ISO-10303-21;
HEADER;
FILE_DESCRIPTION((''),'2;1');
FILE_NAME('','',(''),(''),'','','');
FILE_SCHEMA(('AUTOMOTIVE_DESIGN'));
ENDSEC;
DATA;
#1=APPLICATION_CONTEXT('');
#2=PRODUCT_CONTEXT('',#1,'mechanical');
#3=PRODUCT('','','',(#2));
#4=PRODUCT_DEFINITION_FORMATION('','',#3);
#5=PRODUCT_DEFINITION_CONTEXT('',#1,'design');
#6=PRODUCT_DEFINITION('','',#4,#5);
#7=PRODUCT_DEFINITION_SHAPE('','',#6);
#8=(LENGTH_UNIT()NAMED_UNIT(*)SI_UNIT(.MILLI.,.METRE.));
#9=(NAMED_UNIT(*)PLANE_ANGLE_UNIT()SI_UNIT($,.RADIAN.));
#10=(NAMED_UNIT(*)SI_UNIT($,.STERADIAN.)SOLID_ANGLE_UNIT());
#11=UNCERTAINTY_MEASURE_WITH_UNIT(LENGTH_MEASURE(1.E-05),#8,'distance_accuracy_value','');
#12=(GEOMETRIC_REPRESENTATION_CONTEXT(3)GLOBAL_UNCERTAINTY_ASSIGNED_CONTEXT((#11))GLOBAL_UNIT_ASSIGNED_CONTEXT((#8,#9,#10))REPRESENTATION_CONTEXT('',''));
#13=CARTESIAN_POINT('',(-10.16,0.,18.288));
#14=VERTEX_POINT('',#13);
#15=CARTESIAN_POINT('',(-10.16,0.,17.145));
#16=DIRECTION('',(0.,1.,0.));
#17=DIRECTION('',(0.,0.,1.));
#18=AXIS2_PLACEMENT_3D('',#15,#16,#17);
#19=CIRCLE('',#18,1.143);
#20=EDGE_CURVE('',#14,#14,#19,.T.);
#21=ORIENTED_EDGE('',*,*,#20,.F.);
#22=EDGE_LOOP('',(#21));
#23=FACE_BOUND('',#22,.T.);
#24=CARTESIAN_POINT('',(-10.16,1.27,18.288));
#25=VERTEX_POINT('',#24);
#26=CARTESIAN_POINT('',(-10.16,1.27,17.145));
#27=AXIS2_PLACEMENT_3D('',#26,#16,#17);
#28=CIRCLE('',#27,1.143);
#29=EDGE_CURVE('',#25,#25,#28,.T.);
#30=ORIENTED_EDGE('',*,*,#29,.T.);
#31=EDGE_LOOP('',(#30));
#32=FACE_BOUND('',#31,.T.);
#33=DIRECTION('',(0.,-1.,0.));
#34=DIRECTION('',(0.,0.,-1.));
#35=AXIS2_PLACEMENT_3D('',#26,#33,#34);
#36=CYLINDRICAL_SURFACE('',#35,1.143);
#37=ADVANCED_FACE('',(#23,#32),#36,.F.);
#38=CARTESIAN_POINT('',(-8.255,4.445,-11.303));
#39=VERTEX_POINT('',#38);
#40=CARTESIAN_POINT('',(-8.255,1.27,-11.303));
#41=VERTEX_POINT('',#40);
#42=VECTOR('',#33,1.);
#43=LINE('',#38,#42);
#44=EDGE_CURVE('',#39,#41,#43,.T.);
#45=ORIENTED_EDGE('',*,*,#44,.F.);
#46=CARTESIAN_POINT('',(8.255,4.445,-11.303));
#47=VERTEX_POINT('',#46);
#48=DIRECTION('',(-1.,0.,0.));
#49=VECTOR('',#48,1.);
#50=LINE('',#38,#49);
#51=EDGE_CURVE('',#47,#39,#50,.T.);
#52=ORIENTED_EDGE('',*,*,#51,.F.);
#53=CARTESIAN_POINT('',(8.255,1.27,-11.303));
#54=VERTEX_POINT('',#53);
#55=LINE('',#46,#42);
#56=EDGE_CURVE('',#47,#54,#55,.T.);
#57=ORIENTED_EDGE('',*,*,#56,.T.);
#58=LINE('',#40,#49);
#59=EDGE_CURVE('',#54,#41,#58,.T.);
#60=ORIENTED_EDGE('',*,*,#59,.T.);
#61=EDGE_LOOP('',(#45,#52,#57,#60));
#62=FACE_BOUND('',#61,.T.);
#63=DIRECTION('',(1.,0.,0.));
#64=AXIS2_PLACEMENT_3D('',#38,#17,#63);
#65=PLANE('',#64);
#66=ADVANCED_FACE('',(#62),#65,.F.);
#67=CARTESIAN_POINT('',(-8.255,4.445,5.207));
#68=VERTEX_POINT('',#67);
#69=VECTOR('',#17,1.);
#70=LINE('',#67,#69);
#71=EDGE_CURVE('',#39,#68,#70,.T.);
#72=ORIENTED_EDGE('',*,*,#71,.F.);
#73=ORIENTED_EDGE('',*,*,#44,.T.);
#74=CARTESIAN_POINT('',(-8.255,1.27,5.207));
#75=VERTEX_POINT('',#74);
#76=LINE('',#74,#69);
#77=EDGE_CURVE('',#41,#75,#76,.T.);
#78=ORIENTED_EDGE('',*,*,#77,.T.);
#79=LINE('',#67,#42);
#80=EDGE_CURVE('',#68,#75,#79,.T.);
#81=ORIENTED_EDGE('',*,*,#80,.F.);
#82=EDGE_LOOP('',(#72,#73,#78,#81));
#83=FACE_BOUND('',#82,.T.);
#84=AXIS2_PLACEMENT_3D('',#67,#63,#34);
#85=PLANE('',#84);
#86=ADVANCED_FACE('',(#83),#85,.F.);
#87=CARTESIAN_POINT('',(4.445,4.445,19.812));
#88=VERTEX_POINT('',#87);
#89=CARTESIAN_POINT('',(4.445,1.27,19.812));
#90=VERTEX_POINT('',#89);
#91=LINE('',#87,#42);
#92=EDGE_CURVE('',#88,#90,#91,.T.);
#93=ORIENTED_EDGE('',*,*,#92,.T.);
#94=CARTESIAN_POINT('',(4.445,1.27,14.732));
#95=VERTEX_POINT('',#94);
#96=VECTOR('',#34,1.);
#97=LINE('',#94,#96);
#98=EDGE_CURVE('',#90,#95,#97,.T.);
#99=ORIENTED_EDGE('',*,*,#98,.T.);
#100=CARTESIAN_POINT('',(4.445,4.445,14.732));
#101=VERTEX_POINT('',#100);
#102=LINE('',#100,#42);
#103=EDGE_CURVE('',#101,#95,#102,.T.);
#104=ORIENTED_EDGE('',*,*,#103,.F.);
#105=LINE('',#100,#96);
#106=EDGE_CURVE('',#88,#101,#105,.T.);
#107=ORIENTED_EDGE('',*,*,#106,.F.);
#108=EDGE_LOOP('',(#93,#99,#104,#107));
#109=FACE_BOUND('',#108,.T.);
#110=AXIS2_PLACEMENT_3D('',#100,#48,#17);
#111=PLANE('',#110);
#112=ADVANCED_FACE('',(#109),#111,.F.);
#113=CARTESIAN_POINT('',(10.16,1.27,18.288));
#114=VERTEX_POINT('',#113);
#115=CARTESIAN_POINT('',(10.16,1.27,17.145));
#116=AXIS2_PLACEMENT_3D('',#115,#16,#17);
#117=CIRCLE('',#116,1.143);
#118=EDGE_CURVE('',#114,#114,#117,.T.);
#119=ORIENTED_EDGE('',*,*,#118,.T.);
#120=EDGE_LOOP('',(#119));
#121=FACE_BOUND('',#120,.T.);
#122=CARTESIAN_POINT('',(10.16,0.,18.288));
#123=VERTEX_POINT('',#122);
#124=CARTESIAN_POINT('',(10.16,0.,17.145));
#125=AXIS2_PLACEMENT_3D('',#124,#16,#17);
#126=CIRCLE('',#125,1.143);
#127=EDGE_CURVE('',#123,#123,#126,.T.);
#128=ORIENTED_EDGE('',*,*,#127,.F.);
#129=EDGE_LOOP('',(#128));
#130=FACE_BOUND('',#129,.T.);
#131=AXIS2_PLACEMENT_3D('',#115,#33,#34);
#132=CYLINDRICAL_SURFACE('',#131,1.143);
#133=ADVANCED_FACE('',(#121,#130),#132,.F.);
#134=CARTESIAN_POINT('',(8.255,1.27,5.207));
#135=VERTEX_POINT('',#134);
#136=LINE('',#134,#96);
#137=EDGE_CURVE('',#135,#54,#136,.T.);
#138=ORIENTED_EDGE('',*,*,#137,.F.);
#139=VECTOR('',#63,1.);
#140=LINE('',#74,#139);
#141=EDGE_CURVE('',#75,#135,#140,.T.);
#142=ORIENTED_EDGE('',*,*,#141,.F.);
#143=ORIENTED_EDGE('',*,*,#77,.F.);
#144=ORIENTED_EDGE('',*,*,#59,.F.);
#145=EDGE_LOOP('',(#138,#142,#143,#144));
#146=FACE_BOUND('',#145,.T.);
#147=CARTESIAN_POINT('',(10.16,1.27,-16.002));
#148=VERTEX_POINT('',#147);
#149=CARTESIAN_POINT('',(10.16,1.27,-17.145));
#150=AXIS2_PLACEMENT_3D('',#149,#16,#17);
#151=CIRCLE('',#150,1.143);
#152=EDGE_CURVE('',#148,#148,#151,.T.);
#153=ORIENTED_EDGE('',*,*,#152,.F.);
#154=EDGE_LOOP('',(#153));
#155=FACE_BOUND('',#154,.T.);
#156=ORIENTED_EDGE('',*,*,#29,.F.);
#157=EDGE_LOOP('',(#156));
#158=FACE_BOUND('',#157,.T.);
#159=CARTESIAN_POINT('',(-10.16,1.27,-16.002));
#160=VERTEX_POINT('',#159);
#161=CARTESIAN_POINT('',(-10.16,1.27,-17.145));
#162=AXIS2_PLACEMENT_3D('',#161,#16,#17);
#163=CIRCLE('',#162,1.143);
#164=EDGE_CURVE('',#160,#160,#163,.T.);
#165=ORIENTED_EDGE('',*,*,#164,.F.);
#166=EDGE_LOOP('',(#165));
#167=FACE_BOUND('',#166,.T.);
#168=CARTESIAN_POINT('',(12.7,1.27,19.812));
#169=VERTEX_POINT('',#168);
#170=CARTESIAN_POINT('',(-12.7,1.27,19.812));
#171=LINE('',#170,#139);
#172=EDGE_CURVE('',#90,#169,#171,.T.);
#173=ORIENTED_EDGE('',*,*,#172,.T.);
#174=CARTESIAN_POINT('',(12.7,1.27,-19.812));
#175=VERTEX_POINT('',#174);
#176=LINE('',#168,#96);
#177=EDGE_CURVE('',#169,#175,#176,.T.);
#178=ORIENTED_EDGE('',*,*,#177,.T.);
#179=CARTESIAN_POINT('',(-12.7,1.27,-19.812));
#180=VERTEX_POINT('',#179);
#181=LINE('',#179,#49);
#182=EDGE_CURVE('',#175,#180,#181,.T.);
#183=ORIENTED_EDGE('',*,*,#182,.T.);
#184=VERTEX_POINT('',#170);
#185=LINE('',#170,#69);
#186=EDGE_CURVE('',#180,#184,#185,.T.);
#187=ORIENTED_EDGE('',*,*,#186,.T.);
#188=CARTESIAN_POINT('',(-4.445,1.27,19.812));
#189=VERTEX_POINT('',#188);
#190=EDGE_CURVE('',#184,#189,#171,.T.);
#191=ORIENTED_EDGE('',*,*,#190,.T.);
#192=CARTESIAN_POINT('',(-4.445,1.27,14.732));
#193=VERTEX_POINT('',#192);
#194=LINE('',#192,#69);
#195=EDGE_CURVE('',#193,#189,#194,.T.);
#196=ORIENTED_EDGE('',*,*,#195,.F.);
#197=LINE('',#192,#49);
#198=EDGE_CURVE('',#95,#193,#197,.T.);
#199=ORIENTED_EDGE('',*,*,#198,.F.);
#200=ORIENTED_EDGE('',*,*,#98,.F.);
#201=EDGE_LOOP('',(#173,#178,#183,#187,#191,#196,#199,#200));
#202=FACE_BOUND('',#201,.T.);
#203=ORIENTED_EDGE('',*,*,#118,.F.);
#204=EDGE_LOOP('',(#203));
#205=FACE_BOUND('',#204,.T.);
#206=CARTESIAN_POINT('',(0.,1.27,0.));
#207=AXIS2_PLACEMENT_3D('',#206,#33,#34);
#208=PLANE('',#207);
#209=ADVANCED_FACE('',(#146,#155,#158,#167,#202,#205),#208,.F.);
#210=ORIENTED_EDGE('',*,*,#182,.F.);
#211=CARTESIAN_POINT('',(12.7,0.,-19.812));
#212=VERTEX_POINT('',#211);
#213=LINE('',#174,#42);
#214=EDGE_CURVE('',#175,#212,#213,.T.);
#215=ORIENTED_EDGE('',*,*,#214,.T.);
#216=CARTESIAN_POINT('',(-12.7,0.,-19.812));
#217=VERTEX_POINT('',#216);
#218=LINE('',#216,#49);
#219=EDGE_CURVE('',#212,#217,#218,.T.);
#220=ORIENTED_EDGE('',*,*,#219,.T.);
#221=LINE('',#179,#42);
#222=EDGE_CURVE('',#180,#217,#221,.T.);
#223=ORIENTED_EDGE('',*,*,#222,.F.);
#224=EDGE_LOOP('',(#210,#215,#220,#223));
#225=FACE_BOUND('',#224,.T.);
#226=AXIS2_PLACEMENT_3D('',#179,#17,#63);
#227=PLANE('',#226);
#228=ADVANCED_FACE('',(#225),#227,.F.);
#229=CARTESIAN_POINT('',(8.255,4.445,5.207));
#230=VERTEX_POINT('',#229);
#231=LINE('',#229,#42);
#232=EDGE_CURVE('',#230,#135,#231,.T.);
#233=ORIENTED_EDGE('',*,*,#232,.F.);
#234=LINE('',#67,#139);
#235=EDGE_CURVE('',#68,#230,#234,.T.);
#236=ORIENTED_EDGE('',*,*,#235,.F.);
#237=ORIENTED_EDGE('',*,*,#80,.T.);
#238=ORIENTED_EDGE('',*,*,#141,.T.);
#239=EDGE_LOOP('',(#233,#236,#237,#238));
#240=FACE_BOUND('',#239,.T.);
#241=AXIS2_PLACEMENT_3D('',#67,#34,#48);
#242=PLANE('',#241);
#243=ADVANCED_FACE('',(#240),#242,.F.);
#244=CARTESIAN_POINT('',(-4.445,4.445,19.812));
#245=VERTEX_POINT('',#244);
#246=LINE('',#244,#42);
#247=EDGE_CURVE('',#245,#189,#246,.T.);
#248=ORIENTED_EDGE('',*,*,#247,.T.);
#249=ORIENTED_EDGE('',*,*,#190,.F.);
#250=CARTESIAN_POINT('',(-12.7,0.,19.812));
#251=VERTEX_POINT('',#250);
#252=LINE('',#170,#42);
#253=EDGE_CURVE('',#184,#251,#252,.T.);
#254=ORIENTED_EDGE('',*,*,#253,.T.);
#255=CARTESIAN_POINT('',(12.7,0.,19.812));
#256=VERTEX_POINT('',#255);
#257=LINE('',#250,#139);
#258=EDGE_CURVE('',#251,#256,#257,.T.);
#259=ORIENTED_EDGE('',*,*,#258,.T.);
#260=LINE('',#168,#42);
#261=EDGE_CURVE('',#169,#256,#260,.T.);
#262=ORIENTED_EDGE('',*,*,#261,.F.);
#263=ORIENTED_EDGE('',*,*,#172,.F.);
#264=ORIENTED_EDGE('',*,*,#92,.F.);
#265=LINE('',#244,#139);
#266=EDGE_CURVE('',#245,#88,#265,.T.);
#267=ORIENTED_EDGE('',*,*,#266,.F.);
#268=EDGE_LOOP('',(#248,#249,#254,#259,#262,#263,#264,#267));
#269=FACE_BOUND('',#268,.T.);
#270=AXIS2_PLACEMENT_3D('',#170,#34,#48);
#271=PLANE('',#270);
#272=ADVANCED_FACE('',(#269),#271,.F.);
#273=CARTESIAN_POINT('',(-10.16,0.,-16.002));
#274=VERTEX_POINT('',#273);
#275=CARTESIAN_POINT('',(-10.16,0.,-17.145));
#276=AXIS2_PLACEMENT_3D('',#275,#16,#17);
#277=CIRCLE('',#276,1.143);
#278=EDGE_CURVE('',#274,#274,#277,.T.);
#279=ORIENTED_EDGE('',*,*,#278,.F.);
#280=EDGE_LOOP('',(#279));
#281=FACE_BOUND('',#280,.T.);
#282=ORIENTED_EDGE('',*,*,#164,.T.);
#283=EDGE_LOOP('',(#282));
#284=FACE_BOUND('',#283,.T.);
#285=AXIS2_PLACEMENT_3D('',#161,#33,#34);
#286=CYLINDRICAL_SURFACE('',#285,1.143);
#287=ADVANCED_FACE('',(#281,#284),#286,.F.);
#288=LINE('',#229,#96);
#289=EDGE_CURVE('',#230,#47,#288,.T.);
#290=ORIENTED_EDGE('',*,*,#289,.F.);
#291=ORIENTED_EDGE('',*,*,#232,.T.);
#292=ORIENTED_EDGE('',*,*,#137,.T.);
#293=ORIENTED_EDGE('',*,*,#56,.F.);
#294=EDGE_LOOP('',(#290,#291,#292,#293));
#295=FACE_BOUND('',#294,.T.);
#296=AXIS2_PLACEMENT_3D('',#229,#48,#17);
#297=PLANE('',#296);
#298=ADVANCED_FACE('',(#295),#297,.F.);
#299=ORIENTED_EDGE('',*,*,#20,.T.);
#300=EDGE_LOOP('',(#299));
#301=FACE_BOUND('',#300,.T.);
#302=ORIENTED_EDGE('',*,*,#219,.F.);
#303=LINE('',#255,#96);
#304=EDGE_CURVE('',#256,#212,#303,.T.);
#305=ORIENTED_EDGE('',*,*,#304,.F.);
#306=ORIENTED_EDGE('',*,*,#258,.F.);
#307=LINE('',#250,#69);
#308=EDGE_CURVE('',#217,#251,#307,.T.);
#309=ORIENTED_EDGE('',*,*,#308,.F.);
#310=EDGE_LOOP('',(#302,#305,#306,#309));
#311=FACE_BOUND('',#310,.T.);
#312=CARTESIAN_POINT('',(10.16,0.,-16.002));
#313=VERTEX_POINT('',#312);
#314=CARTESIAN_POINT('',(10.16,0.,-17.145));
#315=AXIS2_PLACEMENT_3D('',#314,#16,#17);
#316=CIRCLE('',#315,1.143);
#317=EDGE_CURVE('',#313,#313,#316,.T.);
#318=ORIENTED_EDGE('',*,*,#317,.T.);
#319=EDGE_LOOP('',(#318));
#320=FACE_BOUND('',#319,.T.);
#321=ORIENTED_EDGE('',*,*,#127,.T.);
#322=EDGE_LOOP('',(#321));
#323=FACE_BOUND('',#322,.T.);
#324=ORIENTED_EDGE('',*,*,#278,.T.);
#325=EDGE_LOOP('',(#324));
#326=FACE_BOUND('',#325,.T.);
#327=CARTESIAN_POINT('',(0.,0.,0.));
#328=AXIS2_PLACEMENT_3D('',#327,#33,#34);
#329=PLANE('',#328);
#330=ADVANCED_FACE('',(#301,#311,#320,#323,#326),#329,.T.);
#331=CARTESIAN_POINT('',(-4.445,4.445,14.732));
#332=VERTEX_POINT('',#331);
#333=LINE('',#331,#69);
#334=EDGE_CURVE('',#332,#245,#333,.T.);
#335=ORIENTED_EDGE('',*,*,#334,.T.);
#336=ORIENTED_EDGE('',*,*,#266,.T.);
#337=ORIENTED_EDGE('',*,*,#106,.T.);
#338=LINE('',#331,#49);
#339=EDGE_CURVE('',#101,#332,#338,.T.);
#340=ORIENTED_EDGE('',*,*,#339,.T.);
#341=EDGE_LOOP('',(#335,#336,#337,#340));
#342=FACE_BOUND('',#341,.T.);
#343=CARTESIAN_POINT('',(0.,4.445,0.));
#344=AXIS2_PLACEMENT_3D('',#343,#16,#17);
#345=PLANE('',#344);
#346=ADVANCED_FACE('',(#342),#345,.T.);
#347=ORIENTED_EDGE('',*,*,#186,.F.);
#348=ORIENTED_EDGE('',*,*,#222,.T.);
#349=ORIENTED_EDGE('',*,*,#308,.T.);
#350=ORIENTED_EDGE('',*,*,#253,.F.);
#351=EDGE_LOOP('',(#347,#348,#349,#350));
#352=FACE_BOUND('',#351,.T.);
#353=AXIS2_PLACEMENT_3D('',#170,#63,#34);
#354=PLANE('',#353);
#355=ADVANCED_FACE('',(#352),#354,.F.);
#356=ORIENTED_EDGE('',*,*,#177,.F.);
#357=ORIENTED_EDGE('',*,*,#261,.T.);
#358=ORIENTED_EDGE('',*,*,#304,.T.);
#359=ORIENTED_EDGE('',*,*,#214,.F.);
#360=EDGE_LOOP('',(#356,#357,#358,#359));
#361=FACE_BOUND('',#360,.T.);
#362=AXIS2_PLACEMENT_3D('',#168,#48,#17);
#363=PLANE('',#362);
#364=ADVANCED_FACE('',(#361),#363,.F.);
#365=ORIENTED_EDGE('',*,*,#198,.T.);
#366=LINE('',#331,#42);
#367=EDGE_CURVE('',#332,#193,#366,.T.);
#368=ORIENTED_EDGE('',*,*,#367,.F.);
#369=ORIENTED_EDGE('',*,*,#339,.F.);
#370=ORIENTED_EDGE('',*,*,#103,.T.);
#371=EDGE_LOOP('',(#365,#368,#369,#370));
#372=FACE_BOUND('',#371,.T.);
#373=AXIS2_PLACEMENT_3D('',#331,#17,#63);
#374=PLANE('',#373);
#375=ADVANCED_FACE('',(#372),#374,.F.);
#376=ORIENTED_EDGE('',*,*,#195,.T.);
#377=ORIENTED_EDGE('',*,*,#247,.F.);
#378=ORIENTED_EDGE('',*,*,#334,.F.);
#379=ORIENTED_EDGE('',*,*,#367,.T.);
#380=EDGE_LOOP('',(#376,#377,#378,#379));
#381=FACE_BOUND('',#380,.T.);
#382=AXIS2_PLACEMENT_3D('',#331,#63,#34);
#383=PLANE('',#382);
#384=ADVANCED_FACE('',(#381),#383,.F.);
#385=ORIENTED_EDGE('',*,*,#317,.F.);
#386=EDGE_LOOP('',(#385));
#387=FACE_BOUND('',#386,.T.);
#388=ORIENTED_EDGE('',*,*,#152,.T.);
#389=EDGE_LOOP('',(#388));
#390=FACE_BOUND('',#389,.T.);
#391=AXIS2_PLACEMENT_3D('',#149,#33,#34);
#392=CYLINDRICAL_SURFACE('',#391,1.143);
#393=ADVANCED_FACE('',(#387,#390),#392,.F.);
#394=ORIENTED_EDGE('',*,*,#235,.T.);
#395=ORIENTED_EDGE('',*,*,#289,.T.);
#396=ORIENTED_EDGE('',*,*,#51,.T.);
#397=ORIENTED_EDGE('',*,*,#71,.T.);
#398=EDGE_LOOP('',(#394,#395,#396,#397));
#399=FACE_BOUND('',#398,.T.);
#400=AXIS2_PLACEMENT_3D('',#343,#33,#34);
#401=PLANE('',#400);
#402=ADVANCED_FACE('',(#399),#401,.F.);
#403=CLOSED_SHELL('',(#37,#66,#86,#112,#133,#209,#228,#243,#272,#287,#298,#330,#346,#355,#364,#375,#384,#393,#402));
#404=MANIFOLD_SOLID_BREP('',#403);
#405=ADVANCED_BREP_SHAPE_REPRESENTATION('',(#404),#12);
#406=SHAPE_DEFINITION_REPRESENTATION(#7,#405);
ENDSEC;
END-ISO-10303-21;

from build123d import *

# Parameters (mm, degrees)
SKETCH1_W           = 25.4
SKETCH1_H           = 39.624
SKETCH1_R           = 1.143
BOSS_EXTRUDE1_DEPTH = 1.27
SKETCH2_W           = 16.51
SKETCH2_H           = 16.51
BOSS_EXTRUDE2_DEPTH = 3.175
SKETCH3_W           = 8.89
SKETCH3_H           = 5.08
BOSS_EXTRUDE3_DEPTH = 3.175


with BuildPart() as part:
    # Sketch1 → Boss-Extrude1 (new body)
    with BuildSketch(Plane(origin=(0, 0, 0), x_dir=(1, 0, 0), z_dir=(0, 1, 0))):
        Rectangle(SKETCH1_W, SKETCH1_H)
        with Locations(Location((10.16, 17.145, 0), (0, 0, 270))):
            Circle(SKETCH1_R, mode=Mode.SUBTRACT)
        with Locations(Location((-10.16, 17.145, 0), (0, 0, 270))):
            Circle(SKETCH1_R, mode=Mode.SUBTRACT)
        with Locations(Location((-10.16, -17.145, 0), (0, 0, 270))):
            Circle(SKETCH1_R, mode=Mode.SUBTRACT)
        with Locations(Location((10.16, -17.145, 0), (0, 0, 270))):
            Circle(SKETCH1_R, mode=Mode.SUBTRACT)
    extrude(amount=BOSS_EXTRUDE1_DEPTH)

    # Sketch2 → Boss-Extrude2 (add)
    with BuildSketch(Plane(origin=(0, 1.27, 0), x_dir=(1, 0, 0), z_dir=(0, 1, 0))):
        with Locations((0, 3.048)):
            Rectangle(SKETCH2_W, SKETCH2_H)
    extrude(amount=BOSS_EXTRUDE2_DEPTH)

    # Sketch3 → Boss-Extrude3 (add)
    with BuildSketch(Plane(origin=(0, 1.27, 0), x_dir=(1, 0, 0), z_dir=(0, 1, 0))):
        with Locations((0, -17.272)):
            Rectangle(SKETCH3_W, SKETCH3_H)
    extrude(amount=BOSS_EXTRUDE3_DEPTH)


solid = part.part
